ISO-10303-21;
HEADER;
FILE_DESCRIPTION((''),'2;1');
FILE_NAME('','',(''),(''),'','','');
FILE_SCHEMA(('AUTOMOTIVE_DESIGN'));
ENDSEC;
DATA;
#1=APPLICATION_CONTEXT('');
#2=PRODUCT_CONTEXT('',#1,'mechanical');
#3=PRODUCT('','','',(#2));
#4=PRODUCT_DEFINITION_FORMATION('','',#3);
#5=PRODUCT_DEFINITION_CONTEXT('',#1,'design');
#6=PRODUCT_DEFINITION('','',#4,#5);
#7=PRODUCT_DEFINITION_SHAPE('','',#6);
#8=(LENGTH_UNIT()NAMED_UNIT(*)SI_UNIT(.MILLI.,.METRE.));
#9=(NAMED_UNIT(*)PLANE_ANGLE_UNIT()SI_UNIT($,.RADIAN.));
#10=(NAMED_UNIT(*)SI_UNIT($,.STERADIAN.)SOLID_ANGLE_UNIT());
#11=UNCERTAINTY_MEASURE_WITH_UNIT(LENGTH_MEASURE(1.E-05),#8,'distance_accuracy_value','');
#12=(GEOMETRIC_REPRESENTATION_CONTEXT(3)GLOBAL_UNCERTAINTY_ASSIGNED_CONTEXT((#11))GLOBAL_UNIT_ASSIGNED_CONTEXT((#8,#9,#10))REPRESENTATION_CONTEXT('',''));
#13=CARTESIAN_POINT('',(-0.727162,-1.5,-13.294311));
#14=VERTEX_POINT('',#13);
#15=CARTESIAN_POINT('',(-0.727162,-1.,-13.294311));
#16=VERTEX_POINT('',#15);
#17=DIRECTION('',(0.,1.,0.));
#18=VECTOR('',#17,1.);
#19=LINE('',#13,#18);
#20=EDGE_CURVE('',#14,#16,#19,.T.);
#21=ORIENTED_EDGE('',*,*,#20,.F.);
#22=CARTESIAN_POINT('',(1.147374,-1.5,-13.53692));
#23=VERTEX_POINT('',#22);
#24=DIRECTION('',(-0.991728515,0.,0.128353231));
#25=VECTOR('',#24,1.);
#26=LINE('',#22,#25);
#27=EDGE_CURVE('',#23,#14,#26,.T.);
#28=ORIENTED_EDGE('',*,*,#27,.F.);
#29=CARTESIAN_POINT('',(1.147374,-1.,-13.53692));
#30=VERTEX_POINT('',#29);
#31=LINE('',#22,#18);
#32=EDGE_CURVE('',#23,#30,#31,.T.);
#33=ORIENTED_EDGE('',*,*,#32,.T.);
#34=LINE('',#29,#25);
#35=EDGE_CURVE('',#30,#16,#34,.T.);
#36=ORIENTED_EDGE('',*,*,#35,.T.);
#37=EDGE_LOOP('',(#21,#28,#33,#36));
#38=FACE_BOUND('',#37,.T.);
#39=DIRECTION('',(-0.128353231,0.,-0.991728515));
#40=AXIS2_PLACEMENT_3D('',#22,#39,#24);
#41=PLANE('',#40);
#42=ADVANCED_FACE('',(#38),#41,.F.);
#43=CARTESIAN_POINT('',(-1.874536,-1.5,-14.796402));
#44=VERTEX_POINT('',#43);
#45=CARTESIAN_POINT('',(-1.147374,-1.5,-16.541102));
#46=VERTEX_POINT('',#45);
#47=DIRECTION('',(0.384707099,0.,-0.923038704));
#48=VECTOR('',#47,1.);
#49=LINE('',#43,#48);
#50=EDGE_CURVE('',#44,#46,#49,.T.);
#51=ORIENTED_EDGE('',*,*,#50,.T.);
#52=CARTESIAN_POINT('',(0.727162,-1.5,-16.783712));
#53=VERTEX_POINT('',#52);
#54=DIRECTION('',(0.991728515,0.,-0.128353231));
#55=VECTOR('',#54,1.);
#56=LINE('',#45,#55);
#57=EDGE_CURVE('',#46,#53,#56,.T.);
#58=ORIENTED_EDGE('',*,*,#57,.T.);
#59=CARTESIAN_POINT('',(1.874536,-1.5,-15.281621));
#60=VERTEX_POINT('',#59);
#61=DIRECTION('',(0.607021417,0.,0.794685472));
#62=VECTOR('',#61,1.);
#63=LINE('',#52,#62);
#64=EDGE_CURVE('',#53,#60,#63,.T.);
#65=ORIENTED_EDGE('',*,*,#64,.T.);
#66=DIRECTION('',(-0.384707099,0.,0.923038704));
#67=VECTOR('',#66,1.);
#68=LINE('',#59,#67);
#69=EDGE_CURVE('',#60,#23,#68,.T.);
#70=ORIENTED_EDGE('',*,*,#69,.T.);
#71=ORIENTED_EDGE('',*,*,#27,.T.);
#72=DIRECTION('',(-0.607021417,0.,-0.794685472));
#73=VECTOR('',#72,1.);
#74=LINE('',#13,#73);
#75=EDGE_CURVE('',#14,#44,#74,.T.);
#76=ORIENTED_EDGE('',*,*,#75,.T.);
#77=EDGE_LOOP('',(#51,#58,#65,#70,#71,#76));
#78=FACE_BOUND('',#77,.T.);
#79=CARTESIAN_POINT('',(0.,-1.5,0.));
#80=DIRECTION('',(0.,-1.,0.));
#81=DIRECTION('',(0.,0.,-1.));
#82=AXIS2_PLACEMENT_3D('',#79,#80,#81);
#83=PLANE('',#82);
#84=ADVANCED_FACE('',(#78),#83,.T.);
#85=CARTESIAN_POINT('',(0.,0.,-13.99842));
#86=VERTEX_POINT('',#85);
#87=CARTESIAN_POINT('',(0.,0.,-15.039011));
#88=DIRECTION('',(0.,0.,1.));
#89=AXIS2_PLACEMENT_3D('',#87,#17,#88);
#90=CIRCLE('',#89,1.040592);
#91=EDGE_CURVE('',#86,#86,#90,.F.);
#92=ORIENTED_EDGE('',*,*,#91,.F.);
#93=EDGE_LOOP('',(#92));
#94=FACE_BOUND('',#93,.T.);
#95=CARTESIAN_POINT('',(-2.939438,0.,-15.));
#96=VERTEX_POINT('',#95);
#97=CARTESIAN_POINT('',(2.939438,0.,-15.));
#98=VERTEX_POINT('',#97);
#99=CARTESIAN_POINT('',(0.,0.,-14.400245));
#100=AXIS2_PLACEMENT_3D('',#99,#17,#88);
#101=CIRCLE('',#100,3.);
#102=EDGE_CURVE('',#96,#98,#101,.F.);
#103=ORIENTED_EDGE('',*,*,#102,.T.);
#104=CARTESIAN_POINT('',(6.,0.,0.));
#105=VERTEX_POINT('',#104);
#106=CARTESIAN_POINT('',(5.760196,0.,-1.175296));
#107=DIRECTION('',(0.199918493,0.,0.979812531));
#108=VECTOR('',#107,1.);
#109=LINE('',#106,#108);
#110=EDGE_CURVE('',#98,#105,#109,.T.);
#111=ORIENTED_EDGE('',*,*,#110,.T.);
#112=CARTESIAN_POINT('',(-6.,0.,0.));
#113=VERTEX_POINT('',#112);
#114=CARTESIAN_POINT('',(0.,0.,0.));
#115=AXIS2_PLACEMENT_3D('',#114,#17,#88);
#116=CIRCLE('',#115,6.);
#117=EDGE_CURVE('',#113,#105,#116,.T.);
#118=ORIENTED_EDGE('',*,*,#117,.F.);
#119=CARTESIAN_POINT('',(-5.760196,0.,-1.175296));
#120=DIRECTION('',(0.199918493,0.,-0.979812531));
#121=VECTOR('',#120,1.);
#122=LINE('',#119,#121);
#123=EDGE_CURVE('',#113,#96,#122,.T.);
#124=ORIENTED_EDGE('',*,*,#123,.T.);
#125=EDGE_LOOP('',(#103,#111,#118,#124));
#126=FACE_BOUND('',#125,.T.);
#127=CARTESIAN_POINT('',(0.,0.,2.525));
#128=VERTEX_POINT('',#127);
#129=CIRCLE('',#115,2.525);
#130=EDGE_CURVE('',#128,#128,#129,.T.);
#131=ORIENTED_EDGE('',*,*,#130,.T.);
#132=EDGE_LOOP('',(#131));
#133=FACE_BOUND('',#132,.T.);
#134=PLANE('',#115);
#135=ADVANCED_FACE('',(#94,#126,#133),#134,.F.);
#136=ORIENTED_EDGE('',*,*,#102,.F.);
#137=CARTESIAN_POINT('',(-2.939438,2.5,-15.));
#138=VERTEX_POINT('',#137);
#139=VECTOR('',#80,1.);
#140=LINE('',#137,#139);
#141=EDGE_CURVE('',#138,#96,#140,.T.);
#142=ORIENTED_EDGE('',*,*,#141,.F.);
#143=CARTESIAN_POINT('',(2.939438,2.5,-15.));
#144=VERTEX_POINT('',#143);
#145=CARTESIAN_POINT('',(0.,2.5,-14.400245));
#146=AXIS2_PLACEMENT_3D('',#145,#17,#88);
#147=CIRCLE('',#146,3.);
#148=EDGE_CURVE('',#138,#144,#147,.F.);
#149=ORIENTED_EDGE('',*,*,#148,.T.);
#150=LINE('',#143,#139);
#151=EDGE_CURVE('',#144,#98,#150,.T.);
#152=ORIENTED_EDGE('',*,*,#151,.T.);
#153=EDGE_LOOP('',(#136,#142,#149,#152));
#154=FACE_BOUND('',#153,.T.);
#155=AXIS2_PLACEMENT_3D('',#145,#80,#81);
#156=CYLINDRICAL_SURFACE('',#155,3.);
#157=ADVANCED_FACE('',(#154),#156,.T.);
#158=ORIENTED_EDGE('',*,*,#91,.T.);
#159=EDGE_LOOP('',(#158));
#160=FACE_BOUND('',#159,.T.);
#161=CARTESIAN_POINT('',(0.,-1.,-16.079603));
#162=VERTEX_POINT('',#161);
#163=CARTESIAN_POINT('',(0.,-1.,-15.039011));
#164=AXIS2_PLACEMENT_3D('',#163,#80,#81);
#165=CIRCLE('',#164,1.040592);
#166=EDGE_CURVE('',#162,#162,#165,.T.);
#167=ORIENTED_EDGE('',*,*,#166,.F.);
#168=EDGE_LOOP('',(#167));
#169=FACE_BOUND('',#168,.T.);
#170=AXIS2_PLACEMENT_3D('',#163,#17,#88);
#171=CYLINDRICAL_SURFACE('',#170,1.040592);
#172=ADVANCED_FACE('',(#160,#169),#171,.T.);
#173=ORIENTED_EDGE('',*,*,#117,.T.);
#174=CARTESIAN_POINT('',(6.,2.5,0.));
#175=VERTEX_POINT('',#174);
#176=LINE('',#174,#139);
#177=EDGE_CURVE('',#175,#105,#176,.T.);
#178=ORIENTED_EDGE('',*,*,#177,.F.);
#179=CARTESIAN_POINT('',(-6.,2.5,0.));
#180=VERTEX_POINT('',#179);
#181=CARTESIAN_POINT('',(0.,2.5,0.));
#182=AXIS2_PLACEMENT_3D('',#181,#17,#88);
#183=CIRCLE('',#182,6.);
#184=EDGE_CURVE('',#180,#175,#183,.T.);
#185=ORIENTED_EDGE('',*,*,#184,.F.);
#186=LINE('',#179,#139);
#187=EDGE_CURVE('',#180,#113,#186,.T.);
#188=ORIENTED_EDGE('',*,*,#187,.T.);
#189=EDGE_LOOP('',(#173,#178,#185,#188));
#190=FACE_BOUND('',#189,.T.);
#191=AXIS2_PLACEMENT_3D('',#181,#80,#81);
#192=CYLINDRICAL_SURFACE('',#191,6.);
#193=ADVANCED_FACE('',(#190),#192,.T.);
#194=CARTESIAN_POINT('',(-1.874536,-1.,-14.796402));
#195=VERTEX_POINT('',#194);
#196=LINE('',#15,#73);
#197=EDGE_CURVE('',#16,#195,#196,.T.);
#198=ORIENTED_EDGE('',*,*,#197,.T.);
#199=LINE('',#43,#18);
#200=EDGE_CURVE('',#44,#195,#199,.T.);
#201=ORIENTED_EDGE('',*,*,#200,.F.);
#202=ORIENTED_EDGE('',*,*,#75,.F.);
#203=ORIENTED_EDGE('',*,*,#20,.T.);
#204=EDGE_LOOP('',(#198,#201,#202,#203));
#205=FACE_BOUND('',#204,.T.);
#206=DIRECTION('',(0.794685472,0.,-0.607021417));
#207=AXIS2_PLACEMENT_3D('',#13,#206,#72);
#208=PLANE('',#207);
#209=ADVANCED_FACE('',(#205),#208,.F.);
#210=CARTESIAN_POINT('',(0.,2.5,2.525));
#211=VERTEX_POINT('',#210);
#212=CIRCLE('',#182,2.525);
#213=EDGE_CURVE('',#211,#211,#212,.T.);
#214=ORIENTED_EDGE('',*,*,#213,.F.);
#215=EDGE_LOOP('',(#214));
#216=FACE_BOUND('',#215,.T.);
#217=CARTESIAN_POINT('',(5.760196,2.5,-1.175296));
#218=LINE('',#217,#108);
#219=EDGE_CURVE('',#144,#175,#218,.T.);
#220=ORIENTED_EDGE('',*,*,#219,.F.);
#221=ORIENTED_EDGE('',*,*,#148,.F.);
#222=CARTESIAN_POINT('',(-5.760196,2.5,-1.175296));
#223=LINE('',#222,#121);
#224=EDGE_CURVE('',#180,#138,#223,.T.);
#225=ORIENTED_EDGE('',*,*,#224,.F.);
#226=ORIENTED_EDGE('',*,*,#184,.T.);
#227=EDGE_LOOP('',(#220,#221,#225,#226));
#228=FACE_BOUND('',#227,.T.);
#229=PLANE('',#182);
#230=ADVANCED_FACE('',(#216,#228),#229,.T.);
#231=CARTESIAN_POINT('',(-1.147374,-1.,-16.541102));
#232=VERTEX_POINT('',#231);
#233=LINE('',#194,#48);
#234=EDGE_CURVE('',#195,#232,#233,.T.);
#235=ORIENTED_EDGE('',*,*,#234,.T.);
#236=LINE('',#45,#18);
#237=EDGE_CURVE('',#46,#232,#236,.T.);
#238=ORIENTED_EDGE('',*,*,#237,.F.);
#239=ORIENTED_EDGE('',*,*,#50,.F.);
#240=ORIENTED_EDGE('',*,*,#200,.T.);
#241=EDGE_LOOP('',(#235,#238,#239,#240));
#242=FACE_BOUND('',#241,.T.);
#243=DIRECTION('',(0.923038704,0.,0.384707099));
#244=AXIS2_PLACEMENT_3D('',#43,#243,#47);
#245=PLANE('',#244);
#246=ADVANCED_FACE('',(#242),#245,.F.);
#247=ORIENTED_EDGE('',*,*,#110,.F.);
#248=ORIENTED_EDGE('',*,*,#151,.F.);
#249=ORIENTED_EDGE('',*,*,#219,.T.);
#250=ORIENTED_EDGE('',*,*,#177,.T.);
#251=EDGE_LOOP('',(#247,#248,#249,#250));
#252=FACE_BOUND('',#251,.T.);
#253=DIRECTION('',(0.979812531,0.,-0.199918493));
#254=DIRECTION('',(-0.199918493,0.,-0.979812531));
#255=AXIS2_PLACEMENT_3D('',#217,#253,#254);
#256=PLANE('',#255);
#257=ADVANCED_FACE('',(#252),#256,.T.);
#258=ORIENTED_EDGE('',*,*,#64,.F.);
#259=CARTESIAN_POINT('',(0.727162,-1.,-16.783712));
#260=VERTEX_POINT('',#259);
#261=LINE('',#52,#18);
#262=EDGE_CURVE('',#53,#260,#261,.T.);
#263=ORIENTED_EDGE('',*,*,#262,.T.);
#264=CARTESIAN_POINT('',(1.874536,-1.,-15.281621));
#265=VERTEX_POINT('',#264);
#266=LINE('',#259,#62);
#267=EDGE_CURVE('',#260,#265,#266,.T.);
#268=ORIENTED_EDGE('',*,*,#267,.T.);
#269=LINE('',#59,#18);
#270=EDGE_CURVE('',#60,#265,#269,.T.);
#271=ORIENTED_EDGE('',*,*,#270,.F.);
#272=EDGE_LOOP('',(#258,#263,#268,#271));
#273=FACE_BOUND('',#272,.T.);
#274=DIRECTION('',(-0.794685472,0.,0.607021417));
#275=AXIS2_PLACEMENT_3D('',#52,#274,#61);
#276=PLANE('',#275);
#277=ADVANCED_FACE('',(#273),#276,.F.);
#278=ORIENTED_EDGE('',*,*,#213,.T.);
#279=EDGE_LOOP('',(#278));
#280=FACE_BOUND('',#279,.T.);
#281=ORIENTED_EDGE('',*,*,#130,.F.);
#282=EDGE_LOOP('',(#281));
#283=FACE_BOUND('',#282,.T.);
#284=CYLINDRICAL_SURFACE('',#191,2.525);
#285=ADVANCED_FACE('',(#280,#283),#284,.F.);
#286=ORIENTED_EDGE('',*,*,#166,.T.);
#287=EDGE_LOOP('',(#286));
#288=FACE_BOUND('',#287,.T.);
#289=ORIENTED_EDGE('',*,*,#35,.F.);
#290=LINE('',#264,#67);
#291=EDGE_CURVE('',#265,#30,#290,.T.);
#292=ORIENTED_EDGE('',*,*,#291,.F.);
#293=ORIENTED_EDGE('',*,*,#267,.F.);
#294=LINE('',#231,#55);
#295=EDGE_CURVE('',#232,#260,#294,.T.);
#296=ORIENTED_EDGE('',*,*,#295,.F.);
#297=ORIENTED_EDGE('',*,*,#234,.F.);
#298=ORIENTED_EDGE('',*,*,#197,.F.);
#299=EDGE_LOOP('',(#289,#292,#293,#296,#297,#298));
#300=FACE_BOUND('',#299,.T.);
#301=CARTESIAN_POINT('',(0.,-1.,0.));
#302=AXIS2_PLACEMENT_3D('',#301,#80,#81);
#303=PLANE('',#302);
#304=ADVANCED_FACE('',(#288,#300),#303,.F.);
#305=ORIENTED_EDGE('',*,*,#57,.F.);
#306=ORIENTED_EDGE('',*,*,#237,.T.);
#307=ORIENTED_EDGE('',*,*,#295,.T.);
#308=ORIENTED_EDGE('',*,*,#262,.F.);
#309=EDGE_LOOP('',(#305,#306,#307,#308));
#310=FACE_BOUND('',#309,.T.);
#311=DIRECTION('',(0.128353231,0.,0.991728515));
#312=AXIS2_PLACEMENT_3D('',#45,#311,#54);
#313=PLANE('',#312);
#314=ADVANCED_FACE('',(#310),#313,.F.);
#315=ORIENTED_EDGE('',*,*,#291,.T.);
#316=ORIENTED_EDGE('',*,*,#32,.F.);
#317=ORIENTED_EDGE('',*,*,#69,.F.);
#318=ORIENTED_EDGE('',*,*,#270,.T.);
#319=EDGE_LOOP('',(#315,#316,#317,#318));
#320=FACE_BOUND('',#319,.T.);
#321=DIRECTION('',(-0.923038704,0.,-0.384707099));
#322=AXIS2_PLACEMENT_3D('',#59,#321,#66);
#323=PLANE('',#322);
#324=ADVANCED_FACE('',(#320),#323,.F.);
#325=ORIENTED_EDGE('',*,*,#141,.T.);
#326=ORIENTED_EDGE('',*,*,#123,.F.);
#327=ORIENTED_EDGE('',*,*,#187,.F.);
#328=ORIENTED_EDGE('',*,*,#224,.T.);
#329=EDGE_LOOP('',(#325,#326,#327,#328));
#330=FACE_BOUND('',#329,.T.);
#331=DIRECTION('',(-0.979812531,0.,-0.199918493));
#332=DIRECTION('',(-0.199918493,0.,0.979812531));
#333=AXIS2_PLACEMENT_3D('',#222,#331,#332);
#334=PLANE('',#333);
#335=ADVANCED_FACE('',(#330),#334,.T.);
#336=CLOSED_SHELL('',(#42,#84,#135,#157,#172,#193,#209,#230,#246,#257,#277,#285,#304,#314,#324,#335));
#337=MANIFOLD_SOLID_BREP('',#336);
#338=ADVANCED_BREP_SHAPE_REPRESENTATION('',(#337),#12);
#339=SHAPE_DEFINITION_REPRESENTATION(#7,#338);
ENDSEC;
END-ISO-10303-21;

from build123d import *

# Parameters (mm, degrees)
SKETCH1_R           = 2.525
BOSS_EXTRUDE1_DEPTH = 2.5
SKETCH2_R           = 1.040591752
BOSS_EXTRUDE2_DEPTH = 1
BOSS_EXTRUDE3_DEPTH = 0.5


with BuildPart() as part:
    # Sketch1 → Boss-Extrude1 (new body)
    with BuildSketch(Plane(origin=(0, 0, 0), x_dir=(1, 0, 0), z_dir=(0, 1, 0))):
        with BuildLine():
            Line((-5.520391153, 2.350591738), (-6, 0))
            ThreePointArc((-6, 0), (0, -6), (6, 0))
            Line((6, 0), (5.520391153, 2.350591738))
            Line((5.520391153, 2.350591738), (2.939437593, 15))
            ThreePointArc((2.939437593, 15), (0, 17.40024452), (-2.939437593, 15))
            Line((-2.939437593, 15), (-5.520391153, 2.350591738))
        make_face()
        with Locations(Location((0, 0, 0), (0, 0, 270))):
            Circle(SKETCH1_R, mode=Mode.SUBTRACT)
    extrude(amount=BOSS_EXTRUDE1_DEPTH)

    # Sketch2 → Boss-Extrude2 (add)
    with BuildSketch(Plane.XZ):
        with Locations(Location((0, -15.039011309, 0), (0, 0, 90))):
            Circle(SKETCH2_R)
    extrude(amount=BOSS_EXTRUDE2_DEPTH)

    # Sketch3 → Boss-Extrude3 (add)
    with BuildSketch(Plane.XZ.offset(1)):
        Polygon((1.147373963, -13.536920287), (-0.727162002, -13.294310799), (-1.874535964, -14.79640182), (-1.147373963, -16.54110233), (0.727162002, -16.783711818), (1.874535964, -15.281620797), align=None)
    extrude(amount=BOSS_EXTRUDE3_DEPTH)


solid = part.part
